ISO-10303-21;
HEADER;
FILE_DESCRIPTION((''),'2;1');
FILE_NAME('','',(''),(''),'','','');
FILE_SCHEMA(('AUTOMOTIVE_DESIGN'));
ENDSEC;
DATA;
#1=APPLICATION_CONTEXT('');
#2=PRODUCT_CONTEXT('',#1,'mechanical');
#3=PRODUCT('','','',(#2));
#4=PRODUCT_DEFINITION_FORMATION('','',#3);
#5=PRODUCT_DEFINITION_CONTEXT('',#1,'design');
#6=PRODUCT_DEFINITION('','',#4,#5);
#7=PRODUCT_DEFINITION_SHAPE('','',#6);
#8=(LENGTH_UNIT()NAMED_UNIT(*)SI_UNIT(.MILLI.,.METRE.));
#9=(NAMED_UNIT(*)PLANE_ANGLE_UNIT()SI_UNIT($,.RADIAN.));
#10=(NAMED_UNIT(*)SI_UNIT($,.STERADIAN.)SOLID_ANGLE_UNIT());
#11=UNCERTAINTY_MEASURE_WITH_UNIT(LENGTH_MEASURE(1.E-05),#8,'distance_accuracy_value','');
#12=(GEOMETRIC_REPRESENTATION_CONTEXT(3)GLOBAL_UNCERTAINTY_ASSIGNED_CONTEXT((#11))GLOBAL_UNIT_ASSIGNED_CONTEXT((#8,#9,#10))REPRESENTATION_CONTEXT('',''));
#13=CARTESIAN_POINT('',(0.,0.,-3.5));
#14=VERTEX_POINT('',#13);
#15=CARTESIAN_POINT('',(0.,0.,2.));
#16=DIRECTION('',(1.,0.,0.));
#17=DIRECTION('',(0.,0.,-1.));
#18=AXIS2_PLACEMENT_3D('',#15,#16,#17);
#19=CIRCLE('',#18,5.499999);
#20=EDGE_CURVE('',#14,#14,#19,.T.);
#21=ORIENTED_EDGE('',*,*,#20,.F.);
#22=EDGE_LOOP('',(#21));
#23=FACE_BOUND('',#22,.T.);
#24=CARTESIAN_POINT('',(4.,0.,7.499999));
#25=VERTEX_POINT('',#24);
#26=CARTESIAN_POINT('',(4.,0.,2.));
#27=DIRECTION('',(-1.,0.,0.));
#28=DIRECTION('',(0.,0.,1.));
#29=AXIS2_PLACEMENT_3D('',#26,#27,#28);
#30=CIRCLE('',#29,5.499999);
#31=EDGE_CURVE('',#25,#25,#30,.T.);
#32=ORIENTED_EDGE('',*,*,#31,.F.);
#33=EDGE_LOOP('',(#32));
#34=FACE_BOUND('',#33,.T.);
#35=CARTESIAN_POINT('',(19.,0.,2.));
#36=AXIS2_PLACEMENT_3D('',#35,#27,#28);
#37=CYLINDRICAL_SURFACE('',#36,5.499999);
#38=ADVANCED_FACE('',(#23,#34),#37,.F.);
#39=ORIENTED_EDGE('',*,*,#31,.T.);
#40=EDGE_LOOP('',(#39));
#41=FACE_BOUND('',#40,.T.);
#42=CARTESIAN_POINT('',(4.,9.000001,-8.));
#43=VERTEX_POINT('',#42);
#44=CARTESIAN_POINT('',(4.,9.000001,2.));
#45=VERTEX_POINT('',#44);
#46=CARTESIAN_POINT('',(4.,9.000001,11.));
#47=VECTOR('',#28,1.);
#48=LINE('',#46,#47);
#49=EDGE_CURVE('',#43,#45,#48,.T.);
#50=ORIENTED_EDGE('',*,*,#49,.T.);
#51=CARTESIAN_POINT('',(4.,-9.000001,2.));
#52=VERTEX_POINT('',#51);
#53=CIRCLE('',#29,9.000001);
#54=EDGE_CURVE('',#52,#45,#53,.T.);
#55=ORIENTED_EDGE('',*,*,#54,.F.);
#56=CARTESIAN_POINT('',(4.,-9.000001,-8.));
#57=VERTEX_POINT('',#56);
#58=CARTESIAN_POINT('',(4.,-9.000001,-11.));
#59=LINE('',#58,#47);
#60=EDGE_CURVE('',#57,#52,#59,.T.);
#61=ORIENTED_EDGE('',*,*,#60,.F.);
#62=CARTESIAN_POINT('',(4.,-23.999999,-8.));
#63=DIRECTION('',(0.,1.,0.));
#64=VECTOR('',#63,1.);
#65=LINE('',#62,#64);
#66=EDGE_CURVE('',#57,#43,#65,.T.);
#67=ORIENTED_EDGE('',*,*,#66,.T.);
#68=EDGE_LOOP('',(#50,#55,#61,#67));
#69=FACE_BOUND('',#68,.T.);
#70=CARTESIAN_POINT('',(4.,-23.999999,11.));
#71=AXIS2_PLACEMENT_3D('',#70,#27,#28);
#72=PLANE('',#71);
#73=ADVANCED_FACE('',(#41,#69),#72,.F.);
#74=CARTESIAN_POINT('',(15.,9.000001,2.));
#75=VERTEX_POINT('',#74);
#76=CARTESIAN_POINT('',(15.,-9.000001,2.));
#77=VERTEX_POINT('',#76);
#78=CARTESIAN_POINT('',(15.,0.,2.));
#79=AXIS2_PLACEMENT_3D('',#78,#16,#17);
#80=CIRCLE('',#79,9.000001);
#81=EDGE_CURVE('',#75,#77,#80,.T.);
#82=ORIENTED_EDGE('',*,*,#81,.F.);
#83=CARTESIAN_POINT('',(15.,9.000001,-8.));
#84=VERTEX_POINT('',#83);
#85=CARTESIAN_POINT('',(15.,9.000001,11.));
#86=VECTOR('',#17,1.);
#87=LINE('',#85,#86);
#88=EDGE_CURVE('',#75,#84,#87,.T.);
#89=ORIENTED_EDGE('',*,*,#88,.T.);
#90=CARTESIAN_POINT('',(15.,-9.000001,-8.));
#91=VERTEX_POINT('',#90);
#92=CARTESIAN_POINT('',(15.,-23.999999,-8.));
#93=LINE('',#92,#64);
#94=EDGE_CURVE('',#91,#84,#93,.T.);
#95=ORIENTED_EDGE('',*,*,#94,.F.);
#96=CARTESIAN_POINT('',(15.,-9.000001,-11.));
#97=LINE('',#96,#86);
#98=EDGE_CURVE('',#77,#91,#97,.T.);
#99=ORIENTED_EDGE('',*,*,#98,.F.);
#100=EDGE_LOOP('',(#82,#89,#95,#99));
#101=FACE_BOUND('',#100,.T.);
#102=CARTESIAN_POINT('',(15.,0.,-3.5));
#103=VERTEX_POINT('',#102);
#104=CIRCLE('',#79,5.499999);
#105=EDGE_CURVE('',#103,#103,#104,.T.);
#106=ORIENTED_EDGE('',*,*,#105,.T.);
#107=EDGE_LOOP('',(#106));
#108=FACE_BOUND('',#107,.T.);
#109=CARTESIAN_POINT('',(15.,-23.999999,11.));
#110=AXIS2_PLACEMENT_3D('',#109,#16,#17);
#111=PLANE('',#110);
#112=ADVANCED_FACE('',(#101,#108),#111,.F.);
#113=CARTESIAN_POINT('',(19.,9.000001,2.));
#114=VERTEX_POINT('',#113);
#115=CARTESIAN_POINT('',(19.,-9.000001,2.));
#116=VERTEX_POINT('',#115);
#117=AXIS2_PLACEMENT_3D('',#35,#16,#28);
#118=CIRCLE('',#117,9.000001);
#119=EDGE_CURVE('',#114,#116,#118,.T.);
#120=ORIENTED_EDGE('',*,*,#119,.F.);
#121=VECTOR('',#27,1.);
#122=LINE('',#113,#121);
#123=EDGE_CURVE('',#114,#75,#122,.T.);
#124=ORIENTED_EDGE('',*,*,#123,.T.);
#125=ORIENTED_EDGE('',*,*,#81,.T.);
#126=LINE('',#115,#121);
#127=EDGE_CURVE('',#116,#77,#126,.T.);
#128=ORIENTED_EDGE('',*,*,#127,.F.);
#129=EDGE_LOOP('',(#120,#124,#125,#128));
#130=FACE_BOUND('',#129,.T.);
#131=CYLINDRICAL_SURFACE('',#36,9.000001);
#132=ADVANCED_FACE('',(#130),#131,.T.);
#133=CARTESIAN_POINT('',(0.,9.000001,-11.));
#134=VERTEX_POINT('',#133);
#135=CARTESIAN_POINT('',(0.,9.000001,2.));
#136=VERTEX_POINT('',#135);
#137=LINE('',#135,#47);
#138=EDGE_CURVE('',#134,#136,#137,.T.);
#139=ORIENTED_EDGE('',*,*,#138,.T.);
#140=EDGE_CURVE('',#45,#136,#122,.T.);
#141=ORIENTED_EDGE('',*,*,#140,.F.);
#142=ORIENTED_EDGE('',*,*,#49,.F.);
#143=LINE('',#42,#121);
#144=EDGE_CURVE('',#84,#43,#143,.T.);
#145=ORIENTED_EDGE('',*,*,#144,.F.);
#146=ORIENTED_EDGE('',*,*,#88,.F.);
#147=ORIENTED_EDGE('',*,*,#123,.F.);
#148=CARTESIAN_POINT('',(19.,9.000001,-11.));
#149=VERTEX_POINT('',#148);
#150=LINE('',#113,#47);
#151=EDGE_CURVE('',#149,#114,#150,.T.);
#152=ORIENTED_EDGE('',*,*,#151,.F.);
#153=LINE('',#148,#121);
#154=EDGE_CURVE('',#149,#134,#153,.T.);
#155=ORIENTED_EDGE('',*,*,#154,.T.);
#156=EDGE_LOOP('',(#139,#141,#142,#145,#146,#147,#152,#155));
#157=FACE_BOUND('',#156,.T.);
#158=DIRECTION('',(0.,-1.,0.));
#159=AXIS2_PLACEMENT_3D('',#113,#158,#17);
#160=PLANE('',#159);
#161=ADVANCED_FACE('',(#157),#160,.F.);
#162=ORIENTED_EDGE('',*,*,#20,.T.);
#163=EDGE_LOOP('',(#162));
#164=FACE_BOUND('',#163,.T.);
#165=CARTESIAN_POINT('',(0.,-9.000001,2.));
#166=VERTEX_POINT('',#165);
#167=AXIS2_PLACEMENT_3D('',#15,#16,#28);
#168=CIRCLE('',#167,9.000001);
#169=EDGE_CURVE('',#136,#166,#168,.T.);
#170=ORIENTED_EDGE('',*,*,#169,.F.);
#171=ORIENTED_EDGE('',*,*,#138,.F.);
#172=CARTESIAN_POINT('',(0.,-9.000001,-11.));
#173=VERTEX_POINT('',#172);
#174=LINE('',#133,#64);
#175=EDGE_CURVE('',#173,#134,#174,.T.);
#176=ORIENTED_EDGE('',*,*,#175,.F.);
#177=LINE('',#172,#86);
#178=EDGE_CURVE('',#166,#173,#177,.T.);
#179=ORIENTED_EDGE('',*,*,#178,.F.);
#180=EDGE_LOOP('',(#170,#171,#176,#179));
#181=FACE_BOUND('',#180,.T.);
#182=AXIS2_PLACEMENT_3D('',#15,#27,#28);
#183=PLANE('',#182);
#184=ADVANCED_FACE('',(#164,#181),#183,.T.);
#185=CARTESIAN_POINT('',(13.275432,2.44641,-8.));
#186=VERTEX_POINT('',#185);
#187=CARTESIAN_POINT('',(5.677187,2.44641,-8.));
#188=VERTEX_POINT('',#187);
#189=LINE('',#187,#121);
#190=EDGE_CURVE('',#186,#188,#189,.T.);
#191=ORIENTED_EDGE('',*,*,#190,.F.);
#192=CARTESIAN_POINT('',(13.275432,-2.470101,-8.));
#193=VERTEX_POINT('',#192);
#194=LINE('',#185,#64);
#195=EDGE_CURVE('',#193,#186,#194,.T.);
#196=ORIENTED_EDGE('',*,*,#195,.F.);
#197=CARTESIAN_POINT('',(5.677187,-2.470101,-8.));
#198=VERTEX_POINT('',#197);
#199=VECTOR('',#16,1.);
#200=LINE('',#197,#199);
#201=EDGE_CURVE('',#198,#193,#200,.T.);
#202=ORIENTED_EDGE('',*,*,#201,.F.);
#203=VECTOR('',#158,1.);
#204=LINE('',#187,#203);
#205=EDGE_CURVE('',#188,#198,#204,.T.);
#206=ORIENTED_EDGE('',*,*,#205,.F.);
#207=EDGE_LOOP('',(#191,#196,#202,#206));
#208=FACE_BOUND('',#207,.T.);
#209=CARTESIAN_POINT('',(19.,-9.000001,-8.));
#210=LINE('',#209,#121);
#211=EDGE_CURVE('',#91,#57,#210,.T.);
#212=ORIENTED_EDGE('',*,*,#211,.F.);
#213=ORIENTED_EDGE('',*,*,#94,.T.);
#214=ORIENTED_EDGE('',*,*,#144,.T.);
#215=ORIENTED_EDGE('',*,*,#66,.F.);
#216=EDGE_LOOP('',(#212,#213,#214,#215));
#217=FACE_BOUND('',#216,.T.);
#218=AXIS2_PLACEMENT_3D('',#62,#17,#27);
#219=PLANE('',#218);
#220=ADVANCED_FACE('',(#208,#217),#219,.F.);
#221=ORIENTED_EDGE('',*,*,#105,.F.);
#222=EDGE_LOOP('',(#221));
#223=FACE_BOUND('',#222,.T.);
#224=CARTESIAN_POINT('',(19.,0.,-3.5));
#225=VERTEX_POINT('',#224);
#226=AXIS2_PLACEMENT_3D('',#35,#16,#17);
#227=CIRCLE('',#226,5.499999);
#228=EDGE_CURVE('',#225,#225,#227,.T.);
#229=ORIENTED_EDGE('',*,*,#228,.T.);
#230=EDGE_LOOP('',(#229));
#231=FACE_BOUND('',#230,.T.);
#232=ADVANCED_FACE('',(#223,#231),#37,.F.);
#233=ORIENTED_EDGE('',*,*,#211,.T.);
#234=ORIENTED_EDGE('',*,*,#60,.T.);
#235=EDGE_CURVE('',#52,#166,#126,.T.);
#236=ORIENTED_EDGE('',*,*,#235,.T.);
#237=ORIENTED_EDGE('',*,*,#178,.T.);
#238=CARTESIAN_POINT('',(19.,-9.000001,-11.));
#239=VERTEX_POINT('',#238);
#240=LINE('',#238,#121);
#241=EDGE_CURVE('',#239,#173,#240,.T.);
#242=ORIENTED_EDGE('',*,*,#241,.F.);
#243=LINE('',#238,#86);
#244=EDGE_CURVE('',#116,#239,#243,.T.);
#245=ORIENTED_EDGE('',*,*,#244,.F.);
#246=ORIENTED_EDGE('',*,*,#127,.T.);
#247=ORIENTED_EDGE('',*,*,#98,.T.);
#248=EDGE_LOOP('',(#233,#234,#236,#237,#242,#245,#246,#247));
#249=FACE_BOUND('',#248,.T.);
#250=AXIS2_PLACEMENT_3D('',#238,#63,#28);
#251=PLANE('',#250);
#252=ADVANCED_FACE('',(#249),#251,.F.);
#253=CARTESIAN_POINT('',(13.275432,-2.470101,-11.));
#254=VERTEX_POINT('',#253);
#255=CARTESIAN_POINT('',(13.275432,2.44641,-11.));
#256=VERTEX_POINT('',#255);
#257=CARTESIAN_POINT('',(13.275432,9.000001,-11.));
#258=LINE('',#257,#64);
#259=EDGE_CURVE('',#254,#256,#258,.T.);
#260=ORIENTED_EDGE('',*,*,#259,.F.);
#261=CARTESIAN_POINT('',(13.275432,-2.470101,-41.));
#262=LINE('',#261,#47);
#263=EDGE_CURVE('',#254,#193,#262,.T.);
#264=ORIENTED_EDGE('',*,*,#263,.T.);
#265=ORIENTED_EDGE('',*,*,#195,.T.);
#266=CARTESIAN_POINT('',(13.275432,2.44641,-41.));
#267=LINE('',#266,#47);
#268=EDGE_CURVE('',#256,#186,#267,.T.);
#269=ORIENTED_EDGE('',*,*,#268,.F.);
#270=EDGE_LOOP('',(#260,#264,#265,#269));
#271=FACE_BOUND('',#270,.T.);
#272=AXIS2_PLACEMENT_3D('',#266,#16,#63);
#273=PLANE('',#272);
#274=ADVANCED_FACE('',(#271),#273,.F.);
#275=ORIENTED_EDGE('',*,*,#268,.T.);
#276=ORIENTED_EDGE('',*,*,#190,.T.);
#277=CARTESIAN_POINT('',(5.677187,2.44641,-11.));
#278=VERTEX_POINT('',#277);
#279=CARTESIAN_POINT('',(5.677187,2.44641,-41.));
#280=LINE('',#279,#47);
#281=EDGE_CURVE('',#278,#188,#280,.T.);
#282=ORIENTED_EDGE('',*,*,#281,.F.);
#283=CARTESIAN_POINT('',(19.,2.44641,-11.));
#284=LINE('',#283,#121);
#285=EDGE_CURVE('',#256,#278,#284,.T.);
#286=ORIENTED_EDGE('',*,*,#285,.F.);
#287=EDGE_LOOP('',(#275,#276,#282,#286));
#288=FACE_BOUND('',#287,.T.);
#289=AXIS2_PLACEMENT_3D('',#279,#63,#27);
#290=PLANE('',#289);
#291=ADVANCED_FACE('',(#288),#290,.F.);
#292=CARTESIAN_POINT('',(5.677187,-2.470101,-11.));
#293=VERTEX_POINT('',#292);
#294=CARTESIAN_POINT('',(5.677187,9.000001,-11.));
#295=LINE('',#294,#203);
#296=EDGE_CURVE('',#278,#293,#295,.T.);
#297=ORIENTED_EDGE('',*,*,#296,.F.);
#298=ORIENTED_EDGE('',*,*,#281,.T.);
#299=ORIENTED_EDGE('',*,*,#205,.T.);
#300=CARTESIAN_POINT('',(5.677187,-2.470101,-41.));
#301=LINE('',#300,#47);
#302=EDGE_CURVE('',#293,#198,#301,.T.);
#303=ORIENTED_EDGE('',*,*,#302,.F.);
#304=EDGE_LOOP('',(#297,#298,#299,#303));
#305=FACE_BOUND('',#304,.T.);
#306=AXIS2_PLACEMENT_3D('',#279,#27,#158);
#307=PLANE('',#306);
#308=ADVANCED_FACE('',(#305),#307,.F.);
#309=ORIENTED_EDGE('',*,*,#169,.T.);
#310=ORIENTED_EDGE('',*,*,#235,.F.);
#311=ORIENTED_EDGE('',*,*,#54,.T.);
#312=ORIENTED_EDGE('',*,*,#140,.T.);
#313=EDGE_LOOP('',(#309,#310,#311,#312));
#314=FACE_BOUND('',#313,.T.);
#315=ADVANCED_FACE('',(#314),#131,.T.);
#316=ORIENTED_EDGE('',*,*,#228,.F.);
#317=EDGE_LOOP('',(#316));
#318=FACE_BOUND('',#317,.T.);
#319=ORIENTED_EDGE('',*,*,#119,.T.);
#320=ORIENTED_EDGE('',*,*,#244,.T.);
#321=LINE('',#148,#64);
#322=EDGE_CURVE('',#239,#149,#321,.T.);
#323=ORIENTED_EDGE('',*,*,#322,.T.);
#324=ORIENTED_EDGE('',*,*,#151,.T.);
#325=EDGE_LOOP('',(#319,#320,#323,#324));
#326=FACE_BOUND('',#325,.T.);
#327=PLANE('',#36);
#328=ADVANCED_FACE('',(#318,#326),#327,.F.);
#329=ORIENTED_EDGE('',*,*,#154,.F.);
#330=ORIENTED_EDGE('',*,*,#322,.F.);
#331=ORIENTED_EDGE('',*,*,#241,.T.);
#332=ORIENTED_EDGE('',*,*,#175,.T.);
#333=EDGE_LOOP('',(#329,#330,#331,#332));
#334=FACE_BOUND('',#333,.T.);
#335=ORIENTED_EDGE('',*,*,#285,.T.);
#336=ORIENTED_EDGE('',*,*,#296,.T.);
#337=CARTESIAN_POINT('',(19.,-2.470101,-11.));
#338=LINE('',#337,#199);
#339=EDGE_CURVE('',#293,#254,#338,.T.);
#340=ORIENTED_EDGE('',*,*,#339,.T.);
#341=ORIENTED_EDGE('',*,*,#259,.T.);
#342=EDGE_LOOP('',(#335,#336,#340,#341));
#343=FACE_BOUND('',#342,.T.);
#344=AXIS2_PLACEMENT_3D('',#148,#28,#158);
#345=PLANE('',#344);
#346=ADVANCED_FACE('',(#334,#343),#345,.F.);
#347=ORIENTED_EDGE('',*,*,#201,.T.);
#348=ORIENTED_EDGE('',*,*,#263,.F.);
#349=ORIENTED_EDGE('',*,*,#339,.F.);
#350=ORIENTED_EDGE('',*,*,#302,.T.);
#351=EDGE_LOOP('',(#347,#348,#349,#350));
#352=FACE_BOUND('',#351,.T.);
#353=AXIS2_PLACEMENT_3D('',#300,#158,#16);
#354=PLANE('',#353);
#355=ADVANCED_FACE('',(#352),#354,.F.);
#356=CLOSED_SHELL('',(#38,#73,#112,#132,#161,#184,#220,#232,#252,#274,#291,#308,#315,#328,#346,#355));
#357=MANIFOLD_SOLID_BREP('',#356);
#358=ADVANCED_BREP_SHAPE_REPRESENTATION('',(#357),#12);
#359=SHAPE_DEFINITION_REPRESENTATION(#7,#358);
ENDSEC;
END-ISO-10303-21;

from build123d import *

# Parameters (mm, degrees)
SKETCH1_R           = 5.499999036
BOSS_EXTRUDE1_DEPTH = 19
SKETCH2_W           = 11
SKETCH2_H           = 19
CUT_EXTRUDE1_DEPTH  = 33
SKETCH3_W           = 7.598245287
SKETCH3_H           = 4.916511656
CUT_EXTRUDE2_DEPTH  = 33


with BuildPart() as part:
    # Sketch1 → Boss-Extrude1 (new body)
    with BuildSketch(Plane(origin=(0, 0, 0), x_dir=(0, 0, -1), z_dir=(1, 0, 0))):
        with BuildLine():
            Line((-1.999999523, 9.000000954), (11.000000477, 9.000000954))
            Line((11.000000477, 9.000000954), (11.000000477, -9.000000954))
            Line((11.000000477, -9.000000954), (-1.999999523, -9.000000954))
            ThreePointArc((-1.999999523, -9.000000954), (-11.000000477, 0), (-1.999999523, 9.000000954))
        make_face()
        with Locations((-1.999999523, 0)):
            Circle(SKETCH1_R, mode=Mode.SUBTRACT)
    extrude(amount=BOSS_EXTRUDE1_DEPTH)

    # Sketch2 → Cut-Extrude1 (cut)
    with BuildSketch(Plane(origin=(0, 9.000000954, 0), x_dir=(1, 0, 0), z_dir=(0, 1, 0))):
        with Locations((9.5, -1.500000477)):
            Rectangle(SKETCH2_W, SKETCH2_H)
    extrude(amount=-CUT_EXTRUDE1_DEPTH, mode=Mode.SUBTRACT)

    # Sketch3 → Cut-Extrude2 (cut)
    with BuildSketch(Plane.XY.offset(-7.999999523)):
        with Locations((9.476309149, -0.011845426)):
            Rectangle(SKETCH3_W, SKETCH3_H)
    extrude(amount=-CUT_EXTRUDE2_DEPTH, mode=Mode.SUBTRACT)


solid = part.part
